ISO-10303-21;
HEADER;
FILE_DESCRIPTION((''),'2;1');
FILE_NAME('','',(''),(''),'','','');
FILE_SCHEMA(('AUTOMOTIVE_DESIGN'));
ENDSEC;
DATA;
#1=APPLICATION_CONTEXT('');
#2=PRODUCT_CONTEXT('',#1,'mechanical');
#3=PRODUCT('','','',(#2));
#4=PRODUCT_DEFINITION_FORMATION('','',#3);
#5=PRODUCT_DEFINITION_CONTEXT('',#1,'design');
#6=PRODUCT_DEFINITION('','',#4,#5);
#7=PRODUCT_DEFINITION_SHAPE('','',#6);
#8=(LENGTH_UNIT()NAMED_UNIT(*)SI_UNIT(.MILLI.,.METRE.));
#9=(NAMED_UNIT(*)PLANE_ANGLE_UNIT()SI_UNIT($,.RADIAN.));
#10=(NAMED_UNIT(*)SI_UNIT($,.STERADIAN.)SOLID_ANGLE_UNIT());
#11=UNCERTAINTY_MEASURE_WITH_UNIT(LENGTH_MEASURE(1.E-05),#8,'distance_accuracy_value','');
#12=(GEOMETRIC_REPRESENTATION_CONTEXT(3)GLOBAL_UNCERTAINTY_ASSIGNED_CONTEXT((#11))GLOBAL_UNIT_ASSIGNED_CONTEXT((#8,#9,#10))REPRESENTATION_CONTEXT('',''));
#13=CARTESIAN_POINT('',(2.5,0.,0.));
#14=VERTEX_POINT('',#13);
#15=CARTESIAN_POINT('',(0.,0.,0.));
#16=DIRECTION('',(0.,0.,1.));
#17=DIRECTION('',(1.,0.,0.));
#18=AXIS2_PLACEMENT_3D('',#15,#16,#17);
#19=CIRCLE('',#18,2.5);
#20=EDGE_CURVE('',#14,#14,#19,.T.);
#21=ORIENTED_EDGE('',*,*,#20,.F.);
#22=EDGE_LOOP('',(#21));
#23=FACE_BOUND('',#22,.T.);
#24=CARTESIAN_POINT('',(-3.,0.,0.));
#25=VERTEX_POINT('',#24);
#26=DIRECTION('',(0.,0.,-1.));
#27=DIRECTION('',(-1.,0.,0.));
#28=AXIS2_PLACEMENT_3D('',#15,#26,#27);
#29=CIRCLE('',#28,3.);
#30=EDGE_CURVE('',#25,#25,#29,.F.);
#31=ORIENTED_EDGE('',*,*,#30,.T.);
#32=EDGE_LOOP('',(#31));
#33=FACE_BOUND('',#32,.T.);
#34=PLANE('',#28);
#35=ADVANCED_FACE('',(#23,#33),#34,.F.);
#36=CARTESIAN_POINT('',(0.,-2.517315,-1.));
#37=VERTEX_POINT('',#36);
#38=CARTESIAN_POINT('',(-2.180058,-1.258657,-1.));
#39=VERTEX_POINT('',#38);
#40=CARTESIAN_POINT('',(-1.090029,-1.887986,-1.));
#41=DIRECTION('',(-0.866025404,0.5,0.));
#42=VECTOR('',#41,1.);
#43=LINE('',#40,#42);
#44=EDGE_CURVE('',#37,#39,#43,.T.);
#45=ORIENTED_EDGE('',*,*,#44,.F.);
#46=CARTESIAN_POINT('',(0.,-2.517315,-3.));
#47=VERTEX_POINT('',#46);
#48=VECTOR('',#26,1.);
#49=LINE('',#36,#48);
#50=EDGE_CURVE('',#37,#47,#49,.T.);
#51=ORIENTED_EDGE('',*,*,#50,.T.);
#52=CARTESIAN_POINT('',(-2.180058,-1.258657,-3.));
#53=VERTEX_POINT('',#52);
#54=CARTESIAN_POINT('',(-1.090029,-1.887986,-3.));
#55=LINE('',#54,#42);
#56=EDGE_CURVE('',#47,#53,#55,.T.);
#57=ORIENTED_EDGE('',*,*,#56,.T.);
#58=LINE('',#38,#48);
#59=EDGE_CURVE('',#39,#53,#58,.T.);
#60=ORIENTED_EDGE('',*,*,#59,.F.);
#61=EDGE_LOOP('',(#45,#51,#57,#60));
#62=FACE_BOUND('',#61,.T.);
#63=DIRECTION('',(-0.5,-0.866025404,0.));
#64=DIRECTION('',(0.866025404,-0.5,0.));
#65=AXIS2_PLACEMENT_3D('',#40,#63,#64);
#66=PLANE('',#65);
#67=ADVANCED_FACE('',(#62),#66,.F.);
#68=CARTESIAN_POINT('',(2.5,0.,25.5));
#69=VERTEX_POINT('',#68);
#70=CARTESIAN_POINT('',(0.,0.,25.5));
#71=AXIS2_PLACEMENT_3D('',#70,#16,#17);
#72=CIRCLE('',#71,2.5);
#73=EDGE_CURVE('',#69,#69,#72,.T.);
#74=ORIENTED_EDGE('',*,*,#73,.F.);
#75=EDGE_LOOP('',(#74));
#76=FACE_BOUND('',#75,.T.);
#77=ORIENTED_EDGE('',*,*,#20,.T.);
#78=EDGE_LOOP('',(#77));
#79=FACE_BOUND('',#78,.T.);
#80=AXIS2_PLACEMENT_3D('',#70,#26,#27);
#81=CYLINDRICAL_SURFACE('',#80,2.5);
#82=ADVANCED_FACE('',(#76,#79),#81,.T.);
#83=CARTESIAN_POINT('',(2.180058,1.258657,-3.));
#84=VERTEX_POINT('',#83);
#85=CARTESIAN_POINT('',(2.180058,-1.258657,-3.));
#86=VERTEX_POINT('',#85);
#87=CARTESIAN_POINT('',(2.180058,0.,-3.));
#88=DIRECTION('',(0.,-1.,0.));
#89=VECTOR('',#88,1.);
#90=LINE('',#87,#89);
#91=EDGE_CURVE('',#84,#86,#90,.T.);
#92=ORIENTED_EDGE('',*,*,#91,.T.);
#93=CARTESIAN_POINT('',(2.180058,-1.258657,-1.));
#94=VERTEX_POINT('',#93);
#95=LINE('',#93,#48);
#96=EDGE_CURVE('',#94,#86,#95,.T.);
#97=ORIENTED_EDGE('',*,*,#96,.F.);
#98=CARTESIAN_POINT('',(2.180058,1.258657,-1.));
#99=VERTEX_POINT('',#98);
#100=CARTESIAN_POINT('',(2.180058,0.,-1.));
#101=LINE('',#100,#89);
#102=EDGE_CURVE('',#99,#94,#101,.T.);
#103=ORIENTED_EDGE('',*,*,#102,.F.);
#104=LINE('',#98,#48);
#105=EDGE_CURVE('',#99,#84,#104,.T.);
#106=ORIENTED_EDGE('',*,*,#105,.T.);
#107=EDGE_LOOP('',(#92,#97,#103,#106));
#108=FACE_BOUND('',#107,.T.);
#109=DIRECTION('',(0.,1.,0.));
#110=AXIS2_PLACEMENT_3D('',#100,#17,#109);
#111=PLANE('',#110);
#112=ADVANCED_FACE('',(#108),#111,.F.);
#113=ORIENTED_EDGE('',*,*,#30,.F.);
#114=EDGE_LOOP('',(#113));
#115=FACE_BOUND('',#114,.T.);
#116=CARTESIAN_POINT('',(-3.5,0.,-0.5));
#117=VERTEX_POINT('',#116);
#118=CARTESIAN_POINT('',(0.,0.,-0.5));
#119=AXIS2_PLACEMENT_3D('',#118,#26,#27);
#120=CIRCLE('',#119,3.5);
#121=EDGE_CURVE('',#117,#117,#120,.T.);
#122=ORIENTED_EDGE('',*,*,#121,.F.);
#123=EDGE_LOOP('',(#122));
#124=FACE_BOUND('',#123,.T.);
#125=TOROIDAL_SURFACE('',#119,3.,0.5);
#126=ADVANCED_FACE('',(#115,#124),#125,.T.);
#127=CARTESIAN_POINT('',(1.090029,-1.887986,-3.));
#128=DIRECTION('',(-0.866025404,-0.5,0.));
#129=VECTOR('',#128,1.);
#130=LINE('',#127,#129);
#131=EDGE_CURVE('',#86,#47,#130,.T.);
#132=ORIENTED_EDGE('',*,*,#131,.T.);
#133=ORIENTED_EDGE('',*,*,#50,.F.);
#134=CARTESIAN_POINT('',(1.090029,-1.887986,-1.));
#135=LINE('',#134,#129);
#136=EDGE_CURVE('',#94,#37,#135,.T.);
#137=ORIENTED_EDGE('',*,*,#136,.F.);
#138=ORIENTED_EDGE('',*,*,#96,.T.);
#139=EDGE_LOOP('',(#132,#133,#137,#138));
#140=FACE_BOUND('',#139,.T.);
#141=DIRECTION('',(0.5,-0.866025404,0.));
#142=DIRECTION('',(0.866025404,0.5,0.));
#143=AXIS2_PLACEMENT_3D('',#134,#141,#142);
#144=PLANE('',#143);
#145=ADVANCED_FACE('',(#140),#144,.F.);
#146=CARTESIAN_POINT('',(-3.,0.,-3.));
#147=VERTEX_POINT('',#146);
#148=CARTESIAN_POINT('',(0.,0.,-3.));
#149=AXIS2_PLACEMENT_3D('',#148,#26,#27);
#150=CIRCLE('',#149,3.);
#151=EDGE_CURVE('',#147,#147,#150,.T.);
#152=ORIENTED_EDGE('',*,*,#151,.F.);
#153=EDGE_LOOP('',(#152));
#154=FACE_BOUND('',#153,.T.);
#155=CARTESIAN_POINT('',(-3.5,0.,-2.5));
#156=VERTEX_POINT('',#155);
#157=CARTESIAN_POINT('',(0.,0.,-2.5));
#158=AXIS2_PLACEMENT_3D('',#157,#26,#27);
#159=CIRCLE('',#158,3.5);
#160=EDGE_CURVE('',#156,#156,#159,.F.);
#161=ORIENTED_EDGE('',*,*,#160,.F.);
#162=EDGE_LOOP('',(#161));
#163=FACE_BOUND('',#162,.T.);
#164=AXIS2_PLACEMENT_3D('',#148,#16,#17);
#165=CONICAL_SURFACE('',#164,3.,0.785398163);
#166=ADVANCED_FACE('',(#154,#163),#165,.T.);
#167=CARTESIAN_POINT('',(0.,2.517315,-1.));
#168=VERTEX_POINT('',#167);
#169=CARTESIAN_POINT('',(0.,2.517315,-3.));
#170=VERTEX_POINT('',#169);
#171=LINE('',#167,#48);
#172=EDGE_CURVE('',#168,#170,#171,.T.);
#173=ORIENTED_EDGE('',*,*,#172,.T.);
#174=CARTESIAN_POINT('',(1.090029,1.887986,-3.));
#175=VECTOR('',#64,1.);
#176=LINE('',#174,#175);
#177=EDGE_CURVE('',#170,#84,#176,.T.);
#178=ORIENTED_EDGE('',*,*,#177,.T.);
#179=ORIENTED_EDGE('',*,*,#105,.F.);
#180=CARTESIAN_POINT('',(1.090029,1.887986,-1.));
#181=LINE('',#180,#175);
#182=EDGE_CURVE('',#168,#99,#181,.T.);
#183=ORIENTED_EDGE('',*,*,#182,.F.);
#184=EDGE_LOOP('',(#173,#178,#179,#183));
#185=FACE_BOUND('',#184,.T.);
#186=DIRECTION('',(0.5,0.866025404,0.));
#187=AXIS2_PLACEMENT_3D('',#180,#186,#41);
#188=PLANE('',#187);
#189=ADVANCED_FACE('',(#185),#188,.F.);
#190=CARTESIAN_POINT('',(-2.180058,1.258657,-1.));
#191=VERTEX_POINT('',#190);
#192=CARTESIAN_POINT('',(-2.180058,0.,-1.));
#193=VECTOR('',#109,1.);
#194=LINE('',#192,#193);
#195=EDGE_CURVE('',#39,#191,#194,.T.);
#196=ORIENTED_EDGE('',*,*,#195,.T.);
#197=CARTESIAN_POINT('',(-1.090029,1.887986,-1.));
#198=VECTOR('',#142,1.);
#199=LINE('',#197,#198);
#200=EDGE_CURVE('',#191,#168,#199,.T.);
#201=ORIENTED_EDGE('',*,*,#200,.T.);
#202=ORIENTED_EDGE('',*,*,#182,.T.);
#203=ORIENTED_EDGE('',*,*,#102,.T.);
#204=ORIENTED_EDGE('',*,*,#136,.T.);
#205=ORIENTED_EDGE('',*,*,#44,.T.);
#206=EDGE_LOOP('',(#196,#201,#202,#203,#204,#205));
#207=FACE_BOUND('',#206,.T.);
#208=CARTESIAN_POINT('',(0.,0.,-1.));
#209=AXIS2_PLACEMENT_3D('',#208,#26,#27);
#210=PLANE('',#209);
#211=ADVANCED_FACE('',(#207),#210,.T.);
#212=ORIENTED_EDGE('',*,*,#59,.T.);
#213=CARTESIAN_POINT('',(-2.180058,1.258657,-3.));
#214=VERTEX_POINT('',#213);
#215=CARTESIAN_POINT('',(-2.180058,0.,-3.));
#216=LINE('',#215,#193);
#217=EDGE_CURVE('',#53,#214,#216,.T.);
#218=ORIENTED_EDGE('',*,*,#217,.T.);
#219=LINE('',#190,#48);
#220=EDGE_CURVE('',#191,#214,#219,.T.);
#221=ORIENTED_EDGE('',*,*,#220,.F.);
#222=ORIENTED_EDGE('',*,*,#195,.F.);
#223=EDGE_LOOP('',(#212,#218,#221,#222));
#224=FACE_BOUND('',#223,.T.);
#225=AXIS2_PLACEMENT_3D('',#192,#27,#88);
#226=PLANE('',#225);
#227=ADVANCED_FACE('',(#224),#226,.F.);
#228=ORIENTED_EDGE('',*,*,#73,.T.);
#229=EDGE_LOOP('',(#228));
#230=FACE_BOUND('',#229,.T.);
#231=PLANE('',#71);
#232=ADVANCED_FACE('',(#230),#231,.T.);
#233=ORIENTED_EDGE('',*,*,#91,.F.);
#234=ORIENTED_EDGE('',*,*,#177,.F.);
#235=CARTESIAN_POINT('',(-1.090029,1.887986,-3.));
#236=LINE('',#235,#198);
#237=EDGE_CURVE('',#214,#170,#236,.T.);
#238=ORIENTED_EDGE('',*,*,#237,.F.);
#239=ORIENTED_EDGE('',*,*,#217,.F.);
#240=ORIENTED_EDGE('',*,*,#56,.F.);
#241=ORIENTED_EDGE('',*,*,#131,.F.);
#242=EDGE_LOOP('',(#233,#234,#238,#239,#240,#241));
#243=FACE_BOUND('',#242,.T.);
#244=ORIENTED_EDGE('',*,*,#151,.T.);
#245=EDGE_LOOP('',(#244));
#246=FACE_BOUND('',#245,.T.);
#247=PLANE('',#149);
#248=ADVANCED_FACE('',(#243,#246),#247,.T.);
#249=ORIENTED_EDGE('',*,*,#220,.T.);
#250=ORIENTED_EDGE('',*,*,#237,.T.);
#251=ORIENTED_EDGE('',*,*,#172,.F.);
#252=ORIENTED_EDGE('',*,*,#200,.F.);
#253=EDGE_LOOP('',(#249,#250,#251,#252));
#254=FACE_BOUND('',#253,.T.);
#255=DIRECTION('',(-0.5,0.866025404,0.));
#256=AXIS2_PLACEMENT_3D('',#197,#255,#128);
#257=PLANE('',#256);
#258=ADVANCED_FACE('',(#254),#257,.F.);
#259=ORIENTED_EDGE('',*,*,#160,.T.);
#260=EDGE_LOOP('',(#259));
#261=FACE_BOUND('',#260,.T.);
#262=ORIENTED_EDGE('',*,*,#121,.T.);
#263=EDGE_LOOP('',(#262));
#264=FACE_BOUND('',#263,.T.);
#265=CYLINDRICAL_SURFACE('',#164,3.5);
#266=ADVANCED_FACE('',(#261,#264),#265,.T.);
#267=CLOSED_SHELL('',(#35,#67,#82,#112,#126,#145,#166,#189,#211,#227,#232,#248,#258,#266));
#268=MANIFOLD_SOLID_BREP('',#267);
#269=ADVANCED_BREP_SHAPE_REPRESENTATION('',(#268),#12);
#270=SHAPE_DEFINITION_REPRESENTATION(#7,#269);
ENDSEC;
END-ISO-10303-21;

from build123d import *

# Parameters (mm, degrees)
SKETCH1_R           = 2.5
BOSS_EXTRUDE2_DEPTH = 25.5
SKETCH2_R           = 3.5
BOSS_EXTRUDE3_DEPTH = 3
CUT_EXTRUDE2_DEPTH  = 2
CHAMFER2_SIZE       = 0.5
FILLET5_R           = 0.5


with BuildPart() as part:
    # Sketch1 → Boss-Extrude2 (new body)
    with BuildSketch(Plane.XY):
        Circle(SKETCH1_R)
    extrude(amount=BOSS_EXTRUDE2_DEPTH)

    # Sketch2 → Boss-Extrude3 (add)
    with BuildSketch(Plane(origin=(0, 0, 0), x_dir=(-1, 0, 0), z_dir=(0, 0, -1))):
        Circle(SKETCH2_R)
    extrude(amount=BOSS_EXTRUDE3_DEPTH)

    # Sketch4 → Cut-Extrude2 (cut)
    with BuildSketch(Plane(origin=(0, 0, -3), x_dir=(-1, 0, 0), z_dir=(0, 0, -1))):
        Polygon((2.180058464, 0), (0, 0), (0, -2.517314682), (2.180058464, -1.258657341), align=None)
        Polygon((2.180058464, 1.258657341), (0, 2.517314682), (0, 0), (2.180058464, 0), align=None)
        Polygon((0, 0), (0, 2.517314682), (-2.180058464, 1.258657341), (-2.180058464, 0), align=None)
        Polygon((0, -2.517314682), (0, 0), (-2.180058464, 0), (-2.180058464, -1.258657341), align=None)
    extrude(amount=-CUT_EXTRUDE2_DEPTH, mode=Mode.SUBTRACT)

    # Chamfer2
    chamfer2_edges = [part.edges().sort_by_distance(p)[0] for p in [
        (3.5, 0, -3),
    ]]
    chamfer(chamfer2_edges, length=CHAMFER2_SIZE)

    # Fillet5
    fillet5_edges = [part.edges().sort_by_distance(p)[0] for p in [
        (3.5, 0, 0),
    ]]
    fillet(fillet5_edges, radius=FILLET5_R)


solid = part.part
